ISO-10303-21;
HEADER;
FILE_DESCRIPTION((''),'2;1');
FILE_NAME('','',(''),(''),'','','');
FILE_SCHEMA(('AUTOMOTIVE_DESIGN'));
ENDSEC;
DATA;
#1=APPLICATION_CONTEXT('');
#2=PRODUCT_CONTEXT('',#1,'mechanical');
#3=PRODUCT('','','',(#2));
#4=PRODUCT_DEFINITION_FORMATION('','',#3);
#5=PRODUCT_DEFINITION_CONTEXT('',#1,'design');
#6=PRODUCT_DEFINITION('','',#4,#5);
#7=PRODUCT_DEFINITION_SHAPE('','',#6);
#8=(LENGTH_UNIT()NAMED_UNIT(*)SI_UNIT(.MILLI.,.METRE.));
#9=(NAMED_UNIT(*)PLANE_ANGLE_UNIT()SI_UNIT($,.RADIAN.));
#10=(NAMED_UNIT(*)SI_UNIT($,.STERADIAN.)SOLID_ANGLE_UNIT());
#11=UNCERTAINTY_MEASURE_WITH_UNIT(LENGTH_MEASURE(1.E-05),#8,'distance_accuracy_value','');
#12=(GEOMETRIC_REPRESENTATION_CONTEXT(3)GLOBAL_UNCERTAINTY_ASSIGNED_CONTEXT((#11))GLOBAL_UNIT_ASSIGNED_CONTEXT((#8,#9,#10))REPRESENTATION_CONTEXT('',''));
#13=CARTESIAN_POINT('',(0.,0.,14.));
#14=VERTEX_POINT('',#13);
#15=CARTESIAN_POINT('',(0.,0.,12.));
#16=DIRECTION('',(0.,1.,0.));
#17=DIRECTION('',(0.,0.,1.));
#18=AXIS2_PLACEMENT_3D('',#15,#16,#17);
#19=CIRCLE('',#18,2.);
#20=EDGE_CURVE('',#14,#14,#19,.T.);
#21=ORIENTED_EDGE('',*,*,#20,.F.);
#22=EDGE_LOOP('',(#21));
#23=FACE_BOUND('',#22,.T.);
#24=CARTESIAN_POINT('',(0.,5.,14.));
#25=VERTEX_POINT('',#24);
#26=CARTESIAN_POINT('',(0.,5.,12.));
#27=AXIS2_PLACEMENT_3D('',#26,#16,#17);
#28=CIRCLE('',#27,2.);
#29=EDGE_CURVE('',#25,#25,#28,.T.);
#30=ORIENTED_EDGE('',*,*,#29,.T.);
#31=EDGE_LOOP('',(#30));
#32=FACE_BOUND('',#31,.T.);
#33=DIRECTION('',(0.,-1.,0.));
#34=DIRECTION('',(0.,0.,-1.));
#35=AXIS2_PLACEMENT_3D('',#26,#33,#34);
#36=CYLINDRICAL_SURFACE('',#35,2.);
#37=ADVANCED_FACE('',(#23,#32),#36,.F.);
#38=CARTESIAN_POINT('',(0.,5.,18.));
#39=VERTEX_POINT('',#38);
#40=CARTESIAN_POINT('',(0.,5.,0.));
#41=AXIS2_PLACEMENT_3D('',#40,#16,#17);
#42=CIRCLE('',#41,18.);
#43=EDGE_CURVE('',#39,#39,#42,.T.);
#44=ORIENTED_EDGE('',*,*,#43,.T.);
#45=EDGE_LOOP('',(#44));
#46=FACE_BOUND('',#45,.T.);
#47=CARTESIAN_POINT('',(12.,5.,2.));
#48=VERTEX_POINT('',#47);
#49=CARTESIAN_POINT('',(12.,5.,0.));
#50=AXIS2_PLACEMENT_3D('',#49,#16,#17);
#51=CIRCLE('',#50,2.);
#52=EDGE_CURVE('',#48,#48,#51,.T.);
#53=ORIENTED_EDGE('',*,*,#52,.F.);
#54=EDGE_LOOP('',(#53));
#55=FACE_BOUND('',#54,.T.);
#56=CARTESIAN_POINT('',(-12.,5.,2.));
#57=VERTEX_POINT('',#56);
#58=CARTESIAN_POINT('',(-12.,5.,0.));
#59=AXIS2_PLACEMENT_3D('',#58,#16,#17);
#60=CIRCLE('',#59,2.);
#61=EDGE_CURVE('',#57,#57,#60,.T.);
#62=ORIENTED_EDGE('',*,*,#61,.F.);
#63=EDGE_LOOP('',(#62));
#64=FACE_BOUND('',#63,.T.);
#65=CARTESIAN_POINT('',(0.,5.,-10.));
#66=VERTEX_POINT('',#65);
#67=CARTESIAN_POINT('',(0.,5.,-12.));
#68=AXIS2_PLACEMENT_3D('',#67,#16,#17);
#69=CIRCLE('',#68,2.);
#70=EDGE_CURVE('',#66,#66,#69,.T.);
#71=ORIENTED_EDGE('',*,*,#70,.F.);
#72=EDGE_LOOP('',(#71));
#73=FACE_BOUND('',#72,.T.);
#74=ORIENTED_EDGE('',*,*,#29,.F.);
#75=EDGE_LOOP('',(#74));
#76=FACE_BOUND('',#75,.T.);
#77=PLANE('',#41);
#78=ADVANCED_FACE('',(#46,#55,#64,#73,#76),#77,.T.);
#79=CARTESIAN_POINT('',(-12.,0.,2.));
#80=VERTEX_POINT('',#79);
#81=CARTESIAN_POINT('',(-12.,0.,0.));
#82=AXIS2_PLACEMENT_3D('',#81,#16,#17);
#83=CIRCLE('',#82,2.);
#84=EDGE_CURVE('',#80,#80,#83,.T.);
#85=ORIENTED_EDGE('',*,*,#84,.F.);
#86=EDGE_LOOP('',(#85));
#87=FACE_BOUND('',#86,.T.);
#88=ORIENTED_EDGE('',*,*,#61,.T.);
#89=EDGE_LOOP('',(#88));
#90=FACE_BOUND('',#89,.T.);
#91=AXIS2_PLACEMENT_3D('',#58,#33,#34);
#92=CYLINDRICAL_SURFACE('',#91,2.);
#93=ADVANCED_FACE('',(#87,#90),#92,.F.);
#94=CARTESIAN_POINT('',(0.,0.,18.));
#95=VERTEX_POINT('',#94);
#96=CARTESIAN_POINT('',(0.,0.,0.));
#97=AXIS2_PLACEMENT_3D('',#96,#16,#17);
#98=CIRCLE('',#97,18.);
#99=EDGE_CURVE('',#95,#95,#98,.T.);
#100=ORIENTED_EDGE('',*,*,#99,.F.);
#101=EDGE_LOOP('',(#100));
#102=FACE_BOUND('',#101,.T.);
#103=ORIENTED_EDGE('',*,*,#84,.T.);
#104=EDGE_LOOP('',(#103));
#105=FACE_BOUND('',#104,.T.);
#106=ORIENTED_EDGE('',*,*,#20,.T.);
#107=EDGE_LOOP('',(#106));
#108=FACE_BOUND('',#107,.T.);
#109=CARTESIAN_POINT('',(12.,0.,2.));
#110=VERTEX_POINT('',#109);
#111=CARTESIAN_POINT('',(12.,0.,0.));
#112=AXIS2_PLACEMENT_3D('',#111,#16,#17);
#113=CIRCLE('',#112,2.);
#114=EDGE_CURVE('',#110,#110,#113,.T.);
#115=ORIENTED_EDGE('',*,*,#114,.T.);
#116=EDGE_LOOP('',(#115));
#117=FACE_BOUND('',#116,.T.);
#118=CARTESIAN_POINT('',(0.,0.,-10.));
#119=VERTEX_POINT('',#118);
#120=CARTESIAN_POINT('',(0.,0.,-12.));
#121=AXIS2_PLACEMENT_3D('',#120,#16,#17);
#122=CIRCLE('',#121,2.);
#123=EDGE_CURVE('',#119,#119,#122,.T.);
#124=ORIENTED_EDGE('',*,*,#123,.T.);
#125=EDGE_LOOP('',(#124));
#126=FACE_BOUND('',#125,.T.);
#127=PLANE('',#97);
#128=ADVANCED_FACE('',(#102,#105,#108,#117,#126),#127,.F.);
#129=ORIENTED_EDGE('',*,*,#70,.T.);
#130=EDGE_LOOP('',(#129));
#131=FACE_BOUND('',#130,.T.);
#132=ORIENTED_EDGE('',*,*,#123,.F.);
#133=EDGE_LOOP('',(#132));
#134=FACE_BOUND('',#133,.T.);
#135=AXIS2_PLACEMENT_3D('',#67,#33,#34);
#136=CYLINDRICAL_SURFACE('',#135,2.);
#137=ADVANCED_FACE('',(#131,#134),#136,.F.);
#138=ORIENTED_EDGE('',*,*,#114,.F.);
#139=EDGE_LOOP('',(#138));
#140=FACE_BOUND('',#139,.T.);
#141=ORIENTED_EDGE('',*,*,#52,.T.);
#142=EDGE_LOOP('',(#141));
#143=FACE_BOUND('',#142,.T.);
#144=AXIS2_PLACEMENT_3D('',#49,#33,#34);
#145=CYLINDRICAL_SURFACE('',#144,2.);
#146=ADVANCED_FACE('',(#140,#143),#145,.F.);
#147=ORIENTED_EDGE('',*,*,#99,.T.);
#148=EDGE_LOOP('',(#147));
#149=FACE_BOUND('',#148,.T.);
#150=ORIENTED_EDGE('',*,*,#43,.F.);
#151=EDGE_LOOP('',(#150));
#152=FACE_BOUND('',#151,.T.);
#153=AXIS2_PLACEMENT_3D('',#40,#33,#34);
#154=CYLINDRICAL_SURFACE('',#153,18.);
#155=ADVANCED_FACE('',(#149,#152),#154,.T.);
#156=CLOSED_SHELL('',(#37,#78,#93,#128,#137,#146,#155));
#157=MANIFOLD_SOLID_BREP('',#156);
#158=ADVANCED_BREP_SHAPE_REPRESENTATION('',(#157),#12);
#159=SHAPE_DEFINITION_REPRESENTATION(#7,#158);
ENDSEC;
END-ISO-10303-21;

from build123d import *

# Parameters (mm, degrees)
SKETCH1_R           = 18
SKETCH1_R_2         = 2
BOSS_EXTRUDE1_DEPTH = 5


with BuildPart() as part:
    # Sketch1 → Boss-Extrude1 (new body)
    with BuildSketch(Plane(origin=(0, 0, 0), x_dir=(1, 0, 0), z_dir=(0, 1, 0))):
        Circle(SKETCH1_R)
        with Locations((-12, 0)):
            Circle(SKETCH1_R_2, mode=Mode.SUBTRACT)
        with Locations((0, -12)):
            Circle(SKETCH1_R_2, mode=Mode.SUBTRACT)
        with Locations((12, 0)):
            Circle(SKETCH1_R_2, mode=Mode.SUBTRACT)
        with Locations((0, 12)):
            Circle(SKETCH1_R_2, mode=Mode.SUBTRACT)
    extrude(amount=BOSS_EXTRUDE1_DEPTH)


solid = part.part
